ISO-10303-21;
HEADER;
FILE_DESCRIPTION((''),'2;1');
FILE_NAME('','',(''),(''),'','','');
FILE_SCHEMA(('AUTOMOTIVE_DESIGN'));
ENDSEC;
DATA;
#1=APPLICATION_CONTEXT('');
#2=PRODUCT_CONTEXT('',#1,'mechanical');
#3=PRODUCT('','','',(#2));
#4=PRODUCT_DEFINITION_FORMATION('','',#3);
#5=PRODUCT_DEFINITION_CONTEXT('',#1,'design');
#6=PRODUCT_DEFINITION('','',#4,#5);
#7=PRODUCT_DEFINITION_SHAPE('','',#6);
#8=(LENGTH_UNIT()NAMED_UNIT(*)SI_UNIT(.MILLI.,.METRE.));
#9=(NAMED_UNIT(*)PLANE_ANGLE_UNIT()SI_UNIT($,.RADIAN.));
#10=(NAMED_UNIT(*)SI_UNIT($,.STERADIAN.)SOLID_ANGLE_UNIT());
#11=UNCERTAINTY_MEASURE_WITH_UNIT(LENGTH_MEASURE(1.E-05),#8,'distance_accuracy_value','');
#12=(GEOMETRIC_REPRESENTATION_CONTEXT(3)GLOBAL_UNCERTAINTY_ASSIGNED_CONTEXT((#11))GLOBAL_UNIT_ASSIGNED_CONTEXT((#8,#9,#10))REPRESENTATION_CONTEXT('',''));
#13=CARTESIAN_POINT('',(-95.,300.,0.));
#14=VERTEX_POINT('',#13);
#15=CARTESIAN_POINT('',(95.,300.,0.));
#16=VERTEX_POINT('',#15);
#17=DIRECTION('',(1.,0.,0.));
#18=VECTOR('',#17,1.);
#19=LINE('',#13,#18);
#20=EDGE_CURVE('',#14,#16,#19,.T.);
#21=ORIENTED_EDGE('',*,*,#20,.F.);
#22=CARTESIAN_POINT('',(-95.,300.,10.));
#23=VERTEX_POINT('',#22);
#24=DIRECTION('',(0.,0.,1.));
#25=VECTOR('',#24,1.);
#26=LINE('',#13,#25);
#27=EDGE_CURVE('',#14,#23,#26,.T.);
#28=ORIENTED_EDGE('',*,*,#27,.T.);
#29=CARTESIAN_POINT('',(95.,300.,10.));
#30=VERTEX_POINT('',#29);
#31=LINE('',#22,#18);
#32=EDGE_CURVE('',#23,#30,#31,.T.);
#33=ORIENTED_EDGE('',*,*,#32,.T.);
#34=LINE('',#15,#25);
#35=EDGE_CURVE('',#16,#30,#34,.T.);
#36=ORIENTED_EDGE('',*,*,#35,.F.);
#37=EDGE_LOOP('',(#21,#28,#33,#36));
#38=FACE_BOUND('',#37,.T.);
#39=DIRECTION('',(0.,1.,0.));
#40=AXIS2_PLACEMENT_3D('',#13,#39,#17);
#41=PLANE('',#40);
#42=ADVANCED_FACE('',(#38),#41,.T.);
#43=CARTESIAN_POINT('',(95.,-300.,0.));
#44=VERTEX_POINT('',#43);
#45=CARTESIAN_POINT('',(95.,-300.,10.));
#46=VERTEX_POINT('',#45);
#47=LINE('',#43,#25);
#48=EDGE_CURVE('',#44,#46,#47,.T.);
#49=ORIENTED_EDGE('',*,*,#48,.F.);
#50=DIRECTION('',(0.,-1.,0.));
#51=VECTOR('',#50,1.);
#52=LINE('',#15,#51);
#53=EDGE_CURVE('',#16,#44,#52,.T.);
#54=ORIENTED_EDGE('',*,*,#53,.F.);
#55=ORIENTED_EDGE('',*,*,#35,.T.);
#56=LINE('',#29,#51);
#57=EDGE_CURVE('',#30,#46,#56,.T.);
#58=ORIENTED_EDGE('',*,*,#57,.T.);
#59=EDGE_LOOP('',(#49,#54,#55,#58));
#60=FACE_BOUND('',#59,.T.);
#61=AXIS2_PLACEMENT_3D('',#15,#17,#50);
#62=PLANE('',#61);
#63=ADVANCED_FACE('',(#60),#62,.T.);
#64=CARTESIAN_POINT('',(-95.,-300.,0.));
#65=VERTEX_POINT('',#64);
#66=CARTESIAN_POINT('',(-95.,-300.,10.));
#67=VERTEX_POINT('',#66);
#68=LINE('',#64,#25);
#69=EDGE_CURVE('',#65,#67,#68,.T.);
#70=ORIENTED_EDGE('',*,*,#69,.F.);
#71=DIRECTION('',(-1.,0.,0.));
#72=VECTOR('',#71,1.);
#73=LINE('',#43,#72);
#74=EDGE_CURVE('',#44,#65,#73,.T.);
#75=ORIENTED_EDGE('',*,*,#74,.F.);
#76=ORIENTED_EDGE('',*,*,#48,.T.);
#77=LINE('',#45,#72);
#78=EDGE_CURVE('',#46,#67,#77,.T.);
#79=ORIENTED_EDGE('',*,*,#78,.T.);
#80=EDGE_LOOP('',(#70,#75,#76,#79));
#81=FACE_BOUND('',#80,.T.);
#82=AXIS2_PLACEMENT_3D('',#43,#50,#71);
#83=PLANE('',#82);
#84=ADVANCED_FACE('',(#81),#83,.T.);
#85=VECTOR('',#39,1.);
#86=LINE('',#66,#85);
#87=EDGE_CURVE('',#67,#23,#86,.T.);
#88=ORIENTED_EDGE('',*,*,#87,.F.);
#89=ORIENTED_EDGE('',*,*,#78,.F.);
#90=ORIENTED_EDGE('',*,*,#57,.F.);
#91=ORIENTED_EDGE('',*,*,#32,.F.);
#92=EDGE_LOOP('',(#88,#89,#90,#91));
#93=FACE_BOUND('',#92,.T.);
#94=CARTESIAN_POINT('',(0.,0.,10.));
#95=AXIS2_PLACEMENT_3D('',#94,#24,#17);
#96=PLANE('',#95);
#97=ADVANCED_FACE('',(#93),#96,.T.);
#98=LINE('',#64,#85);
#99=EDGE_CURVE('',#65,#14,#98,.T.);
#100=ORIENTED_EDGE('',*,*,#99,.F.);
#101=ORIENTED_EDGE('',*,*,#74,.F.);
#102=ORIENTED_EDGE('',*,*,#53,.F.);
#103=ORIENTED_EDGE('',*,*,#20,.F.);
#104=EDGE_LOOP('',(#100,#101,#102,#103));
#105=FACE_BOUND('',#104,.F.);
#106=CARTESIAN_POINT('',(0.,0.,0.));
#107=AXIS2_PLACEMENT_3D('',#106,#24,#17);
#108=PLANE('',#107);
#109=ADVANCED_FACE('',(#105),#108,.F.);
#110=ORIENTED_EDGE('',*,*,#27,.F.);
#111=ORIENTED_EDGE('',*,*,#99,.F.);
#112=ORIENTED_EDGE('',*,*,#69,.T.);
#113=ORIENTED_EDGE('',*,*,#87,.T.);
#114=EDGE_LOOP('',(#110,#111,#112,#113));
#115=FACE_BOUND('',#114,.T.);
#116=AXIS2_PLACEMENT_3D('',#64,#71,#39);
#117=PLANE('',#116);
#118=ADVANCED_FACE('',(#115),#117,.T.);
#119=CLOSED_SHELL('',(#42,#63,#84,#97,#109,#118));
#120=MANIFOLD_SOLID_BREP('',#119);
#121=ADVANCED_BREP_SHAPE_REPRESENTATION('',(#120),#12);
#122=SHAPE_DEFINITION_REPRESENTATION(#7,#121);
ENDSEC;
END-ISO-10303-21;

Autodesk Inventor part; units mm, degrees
ref_plane "YZ Plane" through (0, 0, 0) normal (1, 0, 0) x (0, 1, 0)
ref_plane "XZ Plane" through (0, 0, 0) normal (0, 1, 0) x (-1, 0, 0)
sketch "Skizze1" plane through (0, 0, 0) normal (0, 0, 1) x (1, 0, 0)
  line L0 (95, -300) -> (-95, -300)
  line L1 (-95, -300) -> (-95, 300)
  line L2 (-95, 300) -> (95, 300)
  line L3 (95, 300) -> (95, -300)
  line L4 (95, -300) -> (-95, 300) construction
  line L5 (-95, -300) -> (95, 300) construction
  point P0 (0, 0)
  dimension "d0" = 190
  dimension "d1" = 600
extrude "Extrusion1" add sketch "Skizze1" along normal blind 10
ref_plane "Arbeitsebene1" through (100, -350, 89) normal (0, 0, -1) x (0, 1, 0)
properties part number "ScaleCompartment_FloorPlate" material "Polycarbonat, klar"
